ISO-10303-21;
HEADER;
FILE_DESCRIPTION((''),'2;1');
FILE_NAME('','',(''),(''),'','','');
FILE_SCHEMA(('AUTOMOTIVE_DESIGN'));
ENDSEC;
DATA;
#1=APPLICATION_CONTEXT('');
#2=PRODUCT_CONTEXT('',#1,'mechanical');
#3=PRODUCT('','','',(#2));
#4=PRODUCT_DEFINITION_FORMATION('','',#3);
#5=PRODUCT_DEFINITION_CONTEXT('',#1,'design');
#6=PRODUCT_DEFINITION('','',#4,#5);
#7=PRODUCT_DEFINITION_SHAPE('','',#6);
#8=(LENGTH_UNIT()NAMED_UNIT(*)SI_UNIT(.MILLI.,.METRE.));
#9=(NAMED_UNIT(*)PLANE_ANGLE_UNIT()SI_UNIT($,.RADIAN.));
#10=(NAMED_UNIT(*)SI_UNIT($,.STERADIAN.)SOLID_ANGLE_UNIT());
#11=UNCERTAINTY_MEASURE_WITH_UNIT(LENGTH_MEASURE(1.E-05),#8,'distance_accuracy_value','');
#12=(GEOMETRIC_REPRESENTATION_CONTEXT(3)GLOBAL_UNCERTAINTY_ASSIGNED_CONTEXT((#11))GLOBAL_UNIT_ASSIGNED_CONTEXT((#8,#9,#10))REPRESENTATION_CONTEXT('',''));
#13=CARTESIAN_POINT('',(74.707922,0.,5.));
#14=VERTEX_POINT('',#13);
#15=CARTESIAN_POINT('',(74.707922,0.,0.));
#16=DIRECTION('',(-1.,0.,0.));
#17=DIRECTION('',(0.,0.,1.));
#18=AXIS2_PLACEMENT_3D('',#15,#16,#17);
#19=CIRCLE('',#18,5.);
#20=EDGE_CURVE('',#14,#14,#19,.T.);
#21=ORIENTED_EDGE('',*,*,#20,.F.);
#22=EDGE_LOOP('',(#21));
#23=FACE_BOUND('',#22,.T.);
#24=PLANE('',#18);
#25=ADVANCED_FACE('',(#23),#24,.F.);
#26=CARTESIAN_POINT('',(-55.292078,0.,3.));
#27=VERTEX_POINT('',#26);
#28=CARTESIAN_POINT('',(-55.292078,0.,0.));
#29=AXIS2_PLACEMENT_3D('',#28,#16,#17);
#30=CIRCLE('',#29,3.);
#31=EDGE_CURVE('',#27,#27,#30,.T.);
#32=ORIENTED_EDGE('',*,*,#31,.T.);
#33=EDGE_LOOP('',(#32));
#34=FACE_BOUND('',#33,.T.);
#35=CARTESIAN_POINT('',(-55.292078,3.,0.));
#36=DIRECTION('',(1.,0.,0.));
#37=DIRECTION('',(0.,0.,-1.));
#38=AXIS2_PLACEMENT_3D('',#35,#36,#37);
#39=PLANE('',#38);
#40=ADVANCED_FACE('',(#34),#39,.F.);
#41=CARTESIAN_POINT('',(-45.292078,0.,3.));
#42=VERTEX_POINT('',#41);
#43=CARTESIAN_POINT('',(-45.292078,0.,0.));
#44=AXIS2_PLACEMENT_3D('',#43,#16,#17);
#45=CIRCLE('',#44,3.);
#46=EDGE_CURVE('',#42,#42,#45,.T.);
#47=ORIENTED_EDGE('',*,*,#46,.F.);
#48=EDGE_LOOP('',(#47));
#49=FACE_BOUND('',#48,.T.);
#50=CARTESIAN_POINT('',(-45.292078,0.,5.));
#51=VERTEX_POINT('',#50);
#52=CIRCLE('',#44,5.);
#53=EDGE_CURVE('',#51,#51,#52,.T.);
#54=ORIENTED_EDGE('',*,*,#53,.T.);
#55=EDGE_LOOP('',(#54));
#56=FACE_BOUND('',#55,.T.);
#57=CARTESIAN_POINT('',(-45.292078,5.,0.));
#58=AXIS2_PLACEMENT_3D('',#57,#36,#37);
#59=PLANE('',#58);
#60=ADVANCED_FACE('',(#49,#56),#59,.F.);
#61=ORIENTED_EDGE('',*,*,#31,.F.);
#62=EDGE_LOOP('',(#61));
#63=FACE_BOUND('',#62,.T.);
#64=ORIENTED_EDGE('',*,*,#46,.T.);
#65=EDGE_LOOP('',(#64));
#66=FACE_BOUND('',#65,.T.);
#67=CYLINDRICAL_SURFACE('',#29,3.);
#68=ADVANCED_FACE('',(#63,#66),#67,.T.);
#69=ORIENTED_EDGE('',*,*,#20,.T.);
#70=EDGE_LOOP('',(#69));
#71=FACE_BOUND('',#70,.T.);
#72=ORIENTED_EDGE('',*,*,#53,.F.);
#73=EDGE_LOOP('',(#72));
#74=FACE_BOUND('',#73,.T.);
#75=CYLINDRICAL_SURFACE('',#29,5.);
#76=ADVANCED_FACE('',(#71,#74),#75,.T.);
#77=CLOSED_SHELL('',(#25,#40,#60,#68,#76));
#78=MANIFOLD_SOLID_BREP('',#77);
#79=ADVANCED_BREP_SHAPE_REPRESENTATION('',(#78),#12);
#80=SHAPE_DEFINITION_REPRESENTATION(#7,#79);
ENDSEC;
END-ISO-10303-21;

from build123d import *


with BuildPart() as part:
    # Esquisse1 → Révolution1 (revolve)
    with BuildSketch(Plane.XY, mode=Mode.PRIVATE) as r_volution1_sk:
        Polygon((-55.292077871, 0), (74.707922129, 0), (74.707922129, 5), (-45.292077871, 5), (-45.292077871, 3), (-55.292077871, 3), align=None)
    revolve(r_volution1_sk.sketch.rotate(Axis((-55.292077871, 0, 0), (1, 0, 0)), 90), axis=Axis((-55.292077871, 0, 0), (1, 0, 0)))


solid = part.part
